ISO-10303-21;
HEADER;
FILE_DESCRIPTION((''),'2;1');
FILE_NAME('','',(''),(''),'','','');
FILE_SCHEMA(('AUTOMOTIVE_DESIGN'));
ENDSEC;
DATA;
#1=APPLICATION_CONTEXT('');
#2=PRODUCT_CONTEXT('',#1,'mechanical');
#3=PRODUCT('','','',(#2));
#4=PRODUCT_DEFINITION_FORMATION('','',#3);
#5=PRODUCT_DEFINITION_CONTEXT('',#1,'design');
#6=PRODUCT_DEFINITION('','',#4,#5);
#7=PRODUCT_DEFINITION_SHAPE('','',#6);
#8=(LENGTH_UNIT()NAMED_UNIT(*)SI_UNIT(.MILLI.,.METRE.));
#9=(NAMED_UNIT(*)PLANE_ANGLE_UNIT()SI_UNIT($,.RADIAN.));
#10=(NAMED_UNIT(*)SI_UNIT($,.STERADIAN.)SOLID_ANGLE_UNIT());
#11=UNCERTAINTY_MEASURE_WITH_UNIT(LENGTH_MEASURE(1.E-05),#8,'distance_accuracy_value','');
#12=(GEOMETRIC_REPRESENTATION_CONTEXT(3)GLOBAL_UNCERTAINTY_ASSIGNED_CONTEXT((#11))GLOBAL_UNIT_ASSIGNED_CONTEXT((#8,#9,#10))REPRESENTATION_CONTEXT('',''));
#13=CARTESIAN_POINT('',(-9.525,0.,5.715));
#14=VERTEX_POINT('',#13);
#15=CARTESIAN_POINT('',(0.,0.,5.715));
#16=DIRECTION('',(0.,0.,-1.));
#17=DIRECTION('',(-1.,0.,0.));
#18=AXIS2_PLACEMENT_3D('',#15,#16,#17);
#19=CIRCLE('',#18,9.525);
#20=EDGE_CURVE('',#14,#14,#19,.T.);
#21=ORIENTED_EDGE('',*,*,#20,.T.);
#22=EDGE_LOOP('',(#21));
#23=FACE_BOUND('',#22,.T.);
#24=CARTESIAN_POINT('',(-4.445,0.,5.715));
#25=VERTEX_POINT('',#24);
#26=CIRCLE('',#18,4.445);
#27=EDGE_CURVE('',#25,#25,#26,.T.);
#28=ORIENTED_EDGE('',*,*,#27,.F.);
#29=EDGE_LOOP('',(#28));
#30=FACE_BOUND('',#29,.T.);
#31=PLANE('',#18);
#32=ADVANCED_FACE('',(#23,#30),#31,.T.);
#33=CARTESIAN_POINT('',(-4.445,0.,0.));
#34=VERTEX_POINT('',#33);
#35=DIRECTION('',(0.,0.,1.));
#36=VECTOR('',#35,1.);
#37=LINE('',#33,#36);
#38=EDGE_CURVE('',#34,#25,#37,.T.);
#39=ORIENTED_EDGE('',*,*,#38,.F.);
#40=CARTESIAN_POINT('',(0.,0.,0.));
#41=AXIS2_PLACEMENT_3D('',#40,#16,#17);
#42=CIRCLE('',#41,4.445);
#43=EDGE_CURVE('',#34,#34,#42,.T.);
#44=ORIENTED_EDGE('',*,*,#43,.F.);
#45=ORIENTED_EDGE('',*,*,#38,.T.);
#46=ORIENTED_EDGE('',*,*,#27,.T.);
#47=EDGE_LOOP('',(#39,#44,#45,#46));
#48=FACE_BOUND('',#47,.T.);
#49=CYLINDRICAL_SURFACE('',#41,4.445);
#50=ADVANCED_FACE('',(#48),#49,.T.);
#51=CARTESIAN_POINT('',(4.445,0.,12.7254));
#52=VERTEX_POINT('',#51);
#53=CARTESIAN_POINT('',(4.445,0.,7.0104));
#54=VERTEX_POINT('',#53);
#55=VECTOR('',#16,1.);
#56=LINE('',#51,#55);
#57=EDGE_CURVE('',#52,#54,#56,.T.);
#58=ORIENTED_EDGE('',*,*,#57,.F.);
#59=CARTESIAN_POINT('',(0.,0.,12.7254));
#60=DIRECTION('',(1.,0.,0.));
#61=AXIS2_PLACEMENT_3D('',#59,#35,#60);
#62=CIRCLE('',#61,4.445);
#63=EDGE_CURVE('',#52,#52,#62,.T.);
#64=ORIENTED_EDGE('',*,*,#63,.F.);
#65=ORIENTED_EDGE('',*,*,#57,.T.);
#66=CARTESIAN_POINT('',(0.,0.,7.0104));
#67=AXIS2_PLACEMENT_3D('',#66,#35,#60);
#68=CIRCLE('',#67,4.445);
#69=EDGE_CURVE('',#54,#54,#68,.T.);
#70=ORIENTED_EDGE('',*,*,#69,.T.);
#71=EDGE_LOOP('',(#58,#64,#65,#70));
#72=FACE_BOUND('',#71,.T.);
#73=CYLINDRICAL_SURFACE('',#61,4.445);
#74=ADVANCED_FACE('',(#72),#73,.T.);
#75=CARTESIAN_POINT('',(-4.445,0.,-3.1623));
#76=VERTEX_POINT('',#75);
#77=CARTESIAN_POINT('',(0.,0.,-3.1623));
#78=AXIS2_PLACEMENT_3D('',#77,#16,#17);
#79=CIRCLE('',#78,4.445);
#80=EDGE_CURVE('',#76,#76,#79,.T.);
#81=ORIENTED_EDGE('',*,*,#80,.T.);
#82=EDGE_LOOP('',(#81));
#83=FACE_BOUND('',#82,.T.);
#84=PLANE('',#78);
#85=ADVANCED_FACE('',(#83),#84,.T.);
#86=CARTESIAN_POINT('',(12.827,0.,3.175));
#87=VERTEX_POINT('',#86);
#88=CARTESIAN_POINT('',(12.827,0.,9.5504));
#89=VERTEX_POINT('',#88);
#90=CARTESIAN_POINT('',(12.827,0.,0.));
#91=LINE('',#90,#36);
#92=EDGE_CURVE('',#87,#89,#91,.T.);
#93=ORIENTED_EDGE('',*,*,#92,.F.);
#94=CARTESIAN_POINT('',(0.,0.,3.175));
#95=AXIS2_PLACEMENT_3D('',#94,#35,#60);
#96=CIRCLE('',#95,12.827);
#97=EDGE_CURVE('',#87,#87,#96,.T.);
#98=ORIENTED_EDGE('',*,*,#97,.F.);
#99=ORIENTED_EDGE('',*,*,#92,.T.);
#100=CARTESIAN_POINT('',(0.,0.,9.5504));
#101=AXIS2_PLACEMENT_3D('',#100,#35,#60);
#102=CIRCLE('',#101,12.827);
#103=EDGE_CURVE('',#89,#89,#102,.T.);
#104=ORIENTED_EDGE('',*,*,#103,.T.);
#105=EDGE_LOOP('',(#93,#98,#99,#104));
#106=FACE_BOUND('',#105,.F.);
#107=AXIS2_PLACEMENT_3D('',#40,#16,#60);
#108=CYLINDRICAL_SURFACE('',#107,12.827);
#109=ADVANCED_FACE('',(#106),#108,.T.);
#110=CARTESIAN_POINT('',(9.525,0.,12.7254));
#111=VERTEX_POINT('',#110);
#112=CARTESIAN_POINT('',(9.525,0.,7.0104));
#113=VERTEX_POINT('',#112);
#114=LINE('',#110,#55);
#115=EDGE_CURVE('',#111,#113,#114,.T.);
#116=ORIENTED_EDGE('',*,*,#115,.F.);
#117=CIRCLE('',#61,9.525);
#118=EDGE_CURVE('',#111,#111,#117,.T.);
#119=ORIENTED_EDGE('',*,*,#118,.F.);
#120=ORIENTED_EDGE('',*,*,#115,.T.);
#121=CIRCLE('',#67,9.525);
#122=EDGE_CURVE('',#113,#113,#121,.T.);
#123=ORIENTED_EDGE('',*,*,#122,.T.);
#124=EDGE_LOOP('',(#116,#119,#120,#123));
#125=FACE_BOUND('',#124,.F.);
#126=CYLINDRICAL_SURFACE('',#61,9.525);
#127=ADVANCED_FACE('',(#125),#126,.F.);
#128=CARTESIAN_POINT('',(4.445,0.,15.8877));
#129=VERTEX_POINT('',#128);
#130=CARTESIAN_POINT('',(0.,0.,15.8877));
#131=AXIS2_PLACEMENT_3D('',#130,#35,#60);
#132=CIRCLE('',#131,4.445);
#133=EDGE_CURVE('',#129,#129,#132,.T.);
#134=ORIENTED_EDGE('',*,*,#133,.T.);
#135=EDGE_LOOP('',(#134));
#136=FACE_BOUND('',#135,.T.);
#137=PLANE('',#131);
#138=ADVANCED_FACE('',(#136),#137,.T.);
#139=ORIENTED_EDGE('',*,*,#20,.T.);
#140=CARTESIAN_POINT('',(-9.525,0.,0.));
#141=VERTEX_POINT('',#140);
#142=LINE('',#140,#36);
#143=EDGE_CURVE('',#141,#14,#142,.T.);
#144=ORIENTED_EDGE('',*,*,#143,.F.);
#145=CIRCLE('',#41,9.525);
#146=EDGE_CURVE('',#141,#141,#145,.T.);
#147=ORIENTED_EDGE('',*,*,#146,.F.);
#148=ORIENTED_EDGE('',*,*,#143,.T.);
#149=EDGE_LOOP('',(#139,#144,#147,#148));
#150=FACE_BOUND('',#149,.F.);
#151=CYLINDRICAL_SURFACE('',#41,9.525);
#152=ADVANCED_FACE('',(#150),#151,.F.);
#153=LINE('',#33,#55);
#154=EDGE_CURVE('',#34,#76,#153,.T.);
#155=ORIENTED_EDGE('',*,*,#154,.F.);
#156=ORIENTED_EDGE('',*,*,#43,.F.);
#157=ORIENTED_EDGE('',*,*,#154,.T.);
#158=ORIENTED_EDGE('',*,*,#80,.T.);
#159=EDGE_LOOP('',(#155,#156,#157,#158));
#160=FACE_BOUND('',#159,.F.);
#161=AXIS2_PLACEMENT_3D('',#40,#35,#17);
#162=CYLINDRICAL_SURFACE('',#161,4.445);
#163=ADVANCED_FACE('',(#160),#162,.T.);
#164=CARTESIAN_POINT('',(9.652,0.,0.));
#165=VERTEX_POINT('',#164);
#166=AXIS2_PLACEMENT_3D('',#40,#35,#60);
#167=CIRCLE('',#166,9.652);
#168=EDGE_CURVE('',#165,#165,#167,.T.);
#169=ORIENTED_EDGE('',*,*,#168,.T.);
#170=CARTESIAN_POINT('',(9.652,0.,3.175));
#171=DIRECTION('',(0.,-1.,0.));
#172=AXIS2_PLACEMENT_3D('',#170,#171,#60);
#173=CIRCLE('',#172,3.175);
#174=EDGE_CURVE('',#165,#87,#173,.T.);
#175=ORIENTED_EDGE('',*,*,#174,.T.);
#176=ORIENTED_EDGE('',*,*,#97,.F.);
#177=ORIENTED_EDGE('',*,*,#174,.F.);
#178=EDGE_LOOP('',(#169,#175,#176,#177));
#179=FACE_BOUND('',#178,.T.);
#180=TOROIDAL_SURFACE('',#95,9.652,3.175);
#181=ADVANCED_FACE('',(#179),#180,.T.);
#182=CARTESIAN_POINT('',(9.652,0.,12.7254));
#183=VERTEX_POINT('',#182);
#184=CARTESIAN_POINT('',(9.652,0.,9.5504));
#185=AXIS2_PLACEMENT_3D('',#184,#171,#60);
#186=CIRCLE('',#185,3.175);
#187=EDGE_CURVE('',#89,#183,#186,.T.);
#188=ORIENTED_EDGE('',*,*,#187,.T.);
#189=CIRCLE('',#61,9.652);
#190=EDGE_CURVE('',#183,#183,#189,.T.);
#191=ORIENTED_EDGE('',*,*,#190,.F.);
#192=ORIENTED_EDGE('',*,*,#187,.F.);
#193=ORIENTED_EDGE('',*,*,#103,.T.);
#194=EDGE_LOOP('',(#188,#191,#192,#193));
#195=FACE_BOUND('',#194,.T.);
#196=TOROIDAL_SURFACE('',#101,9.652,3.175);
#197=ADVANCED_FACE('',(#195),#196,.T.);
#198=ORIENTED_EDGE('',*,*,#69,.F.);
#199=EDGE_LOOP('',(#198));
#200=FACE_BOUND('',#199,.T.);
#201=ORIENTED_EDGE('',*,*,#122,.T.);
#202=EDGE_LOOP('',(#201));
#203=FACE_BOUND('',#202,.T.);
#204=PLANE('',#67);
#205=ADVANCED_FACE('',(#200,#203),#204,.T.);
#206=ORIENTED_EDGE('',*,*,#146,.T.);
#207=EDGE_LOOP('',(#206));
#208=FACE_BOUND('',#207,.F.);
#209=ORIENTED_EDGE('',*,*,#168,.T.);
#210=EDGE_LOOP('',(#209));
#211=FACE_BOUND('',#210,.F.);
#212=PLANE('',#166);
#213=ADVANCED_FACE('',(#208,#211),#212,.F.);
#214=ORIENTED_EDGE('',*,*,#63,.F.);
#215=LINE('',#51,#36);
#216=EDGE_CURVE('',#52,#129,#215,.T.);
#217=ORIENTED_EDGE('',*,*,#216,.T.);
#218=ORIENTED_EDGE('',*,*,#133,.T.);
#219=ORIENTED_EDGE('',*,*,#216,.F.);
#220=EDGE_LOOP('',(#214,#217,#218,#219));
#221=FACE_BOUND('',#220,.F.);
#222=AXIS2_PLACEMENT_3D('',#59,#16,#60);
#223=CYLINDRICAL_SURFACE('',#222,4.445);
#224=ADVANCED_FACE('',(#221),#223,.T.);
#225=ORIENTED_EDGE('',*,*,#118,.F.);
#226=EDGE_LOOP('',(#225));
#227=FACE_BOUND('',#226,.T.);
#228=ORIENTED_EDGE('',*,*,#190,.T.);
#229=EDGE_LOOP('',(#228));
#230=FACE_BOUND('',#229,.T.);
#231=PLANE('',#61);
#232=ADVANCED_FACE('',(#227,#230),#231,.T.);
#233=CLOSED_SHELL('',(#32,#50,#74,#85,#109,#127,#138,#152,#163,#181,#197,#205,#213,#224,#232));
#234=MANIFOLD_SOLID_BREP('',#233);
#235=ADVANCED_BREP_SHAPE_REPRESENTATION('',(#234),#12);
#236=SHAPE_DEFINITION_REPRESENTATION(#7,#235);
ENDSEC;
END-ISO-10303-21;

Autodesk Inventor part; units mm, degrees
ref_plane "YZ Plane" through (0, 0, 0) normal (1, 0, 0) x (0, 1, 0)
ref_plane "XZ Plane" through (0, 0, 0) normal (0, 1, 0) x (-1, 0, 0)
ref_plane "XY Plane" through (0, 0, 0) normal (0, 0, 1) x (1, 0, 0)
sketch "Sketch1" plane through (0, 0, 0) normal (0, 0, 1) x (1, 0, 0)
  circle A0 centre (0, 0) radius 12.827
  dimension "d0" = 25.654
extrude "Extrusion1" add sketch "Sketch1" along normal blind 12.7254
sketch "Sketch2" plane through (0, 0, 12.7254) normal (0, 0, 1) x (1, 0, 0)
  circle A0 centre (0, 0) radius 9.525
  circle A1 centre (0, 0) radius 4.445
  dimension "d3" = 19.05
  dimension "d4" = 8.89
extrude "Extrusion2" cut sketch "Sketch2" against normal blind 5.715
sketch "Sketch3" plane through (0, 0, 0) normal (0, 0, -1) x (-1, 0, 0)
  circle A0 centre (0, 0) radius 4.445
  circle A1 centre (0, 0) radius 9.525
extrude "Extrusion3" cut sketch "Sketch3" against normal blind 5.715
sketch "Sketch4" plane through (0, 0, 12.7254) normal (0, 0, 1) x (1, 0, 0)
  circle A0 centre (0, 0) radius 4.445
extrude "Extrusion4" add sketch "Sketch4" along normal blind 3.1623
sketch "Sketch5" plane through (0, 0, 0) normal (0, 0, -1) x (-1, 0, 0)
  circle A0 centre (0, 0) radius 4.445
extrude "Extrusion5" add sketch "Sketch5" along normal blind 3.1623
fillet "Fillet1" radius 3.175 2 edges at (-12.827, 0, 12.7254) (-12.827, 0, 0)
properties part number "CastorWheel" material "ABS Plastic"
